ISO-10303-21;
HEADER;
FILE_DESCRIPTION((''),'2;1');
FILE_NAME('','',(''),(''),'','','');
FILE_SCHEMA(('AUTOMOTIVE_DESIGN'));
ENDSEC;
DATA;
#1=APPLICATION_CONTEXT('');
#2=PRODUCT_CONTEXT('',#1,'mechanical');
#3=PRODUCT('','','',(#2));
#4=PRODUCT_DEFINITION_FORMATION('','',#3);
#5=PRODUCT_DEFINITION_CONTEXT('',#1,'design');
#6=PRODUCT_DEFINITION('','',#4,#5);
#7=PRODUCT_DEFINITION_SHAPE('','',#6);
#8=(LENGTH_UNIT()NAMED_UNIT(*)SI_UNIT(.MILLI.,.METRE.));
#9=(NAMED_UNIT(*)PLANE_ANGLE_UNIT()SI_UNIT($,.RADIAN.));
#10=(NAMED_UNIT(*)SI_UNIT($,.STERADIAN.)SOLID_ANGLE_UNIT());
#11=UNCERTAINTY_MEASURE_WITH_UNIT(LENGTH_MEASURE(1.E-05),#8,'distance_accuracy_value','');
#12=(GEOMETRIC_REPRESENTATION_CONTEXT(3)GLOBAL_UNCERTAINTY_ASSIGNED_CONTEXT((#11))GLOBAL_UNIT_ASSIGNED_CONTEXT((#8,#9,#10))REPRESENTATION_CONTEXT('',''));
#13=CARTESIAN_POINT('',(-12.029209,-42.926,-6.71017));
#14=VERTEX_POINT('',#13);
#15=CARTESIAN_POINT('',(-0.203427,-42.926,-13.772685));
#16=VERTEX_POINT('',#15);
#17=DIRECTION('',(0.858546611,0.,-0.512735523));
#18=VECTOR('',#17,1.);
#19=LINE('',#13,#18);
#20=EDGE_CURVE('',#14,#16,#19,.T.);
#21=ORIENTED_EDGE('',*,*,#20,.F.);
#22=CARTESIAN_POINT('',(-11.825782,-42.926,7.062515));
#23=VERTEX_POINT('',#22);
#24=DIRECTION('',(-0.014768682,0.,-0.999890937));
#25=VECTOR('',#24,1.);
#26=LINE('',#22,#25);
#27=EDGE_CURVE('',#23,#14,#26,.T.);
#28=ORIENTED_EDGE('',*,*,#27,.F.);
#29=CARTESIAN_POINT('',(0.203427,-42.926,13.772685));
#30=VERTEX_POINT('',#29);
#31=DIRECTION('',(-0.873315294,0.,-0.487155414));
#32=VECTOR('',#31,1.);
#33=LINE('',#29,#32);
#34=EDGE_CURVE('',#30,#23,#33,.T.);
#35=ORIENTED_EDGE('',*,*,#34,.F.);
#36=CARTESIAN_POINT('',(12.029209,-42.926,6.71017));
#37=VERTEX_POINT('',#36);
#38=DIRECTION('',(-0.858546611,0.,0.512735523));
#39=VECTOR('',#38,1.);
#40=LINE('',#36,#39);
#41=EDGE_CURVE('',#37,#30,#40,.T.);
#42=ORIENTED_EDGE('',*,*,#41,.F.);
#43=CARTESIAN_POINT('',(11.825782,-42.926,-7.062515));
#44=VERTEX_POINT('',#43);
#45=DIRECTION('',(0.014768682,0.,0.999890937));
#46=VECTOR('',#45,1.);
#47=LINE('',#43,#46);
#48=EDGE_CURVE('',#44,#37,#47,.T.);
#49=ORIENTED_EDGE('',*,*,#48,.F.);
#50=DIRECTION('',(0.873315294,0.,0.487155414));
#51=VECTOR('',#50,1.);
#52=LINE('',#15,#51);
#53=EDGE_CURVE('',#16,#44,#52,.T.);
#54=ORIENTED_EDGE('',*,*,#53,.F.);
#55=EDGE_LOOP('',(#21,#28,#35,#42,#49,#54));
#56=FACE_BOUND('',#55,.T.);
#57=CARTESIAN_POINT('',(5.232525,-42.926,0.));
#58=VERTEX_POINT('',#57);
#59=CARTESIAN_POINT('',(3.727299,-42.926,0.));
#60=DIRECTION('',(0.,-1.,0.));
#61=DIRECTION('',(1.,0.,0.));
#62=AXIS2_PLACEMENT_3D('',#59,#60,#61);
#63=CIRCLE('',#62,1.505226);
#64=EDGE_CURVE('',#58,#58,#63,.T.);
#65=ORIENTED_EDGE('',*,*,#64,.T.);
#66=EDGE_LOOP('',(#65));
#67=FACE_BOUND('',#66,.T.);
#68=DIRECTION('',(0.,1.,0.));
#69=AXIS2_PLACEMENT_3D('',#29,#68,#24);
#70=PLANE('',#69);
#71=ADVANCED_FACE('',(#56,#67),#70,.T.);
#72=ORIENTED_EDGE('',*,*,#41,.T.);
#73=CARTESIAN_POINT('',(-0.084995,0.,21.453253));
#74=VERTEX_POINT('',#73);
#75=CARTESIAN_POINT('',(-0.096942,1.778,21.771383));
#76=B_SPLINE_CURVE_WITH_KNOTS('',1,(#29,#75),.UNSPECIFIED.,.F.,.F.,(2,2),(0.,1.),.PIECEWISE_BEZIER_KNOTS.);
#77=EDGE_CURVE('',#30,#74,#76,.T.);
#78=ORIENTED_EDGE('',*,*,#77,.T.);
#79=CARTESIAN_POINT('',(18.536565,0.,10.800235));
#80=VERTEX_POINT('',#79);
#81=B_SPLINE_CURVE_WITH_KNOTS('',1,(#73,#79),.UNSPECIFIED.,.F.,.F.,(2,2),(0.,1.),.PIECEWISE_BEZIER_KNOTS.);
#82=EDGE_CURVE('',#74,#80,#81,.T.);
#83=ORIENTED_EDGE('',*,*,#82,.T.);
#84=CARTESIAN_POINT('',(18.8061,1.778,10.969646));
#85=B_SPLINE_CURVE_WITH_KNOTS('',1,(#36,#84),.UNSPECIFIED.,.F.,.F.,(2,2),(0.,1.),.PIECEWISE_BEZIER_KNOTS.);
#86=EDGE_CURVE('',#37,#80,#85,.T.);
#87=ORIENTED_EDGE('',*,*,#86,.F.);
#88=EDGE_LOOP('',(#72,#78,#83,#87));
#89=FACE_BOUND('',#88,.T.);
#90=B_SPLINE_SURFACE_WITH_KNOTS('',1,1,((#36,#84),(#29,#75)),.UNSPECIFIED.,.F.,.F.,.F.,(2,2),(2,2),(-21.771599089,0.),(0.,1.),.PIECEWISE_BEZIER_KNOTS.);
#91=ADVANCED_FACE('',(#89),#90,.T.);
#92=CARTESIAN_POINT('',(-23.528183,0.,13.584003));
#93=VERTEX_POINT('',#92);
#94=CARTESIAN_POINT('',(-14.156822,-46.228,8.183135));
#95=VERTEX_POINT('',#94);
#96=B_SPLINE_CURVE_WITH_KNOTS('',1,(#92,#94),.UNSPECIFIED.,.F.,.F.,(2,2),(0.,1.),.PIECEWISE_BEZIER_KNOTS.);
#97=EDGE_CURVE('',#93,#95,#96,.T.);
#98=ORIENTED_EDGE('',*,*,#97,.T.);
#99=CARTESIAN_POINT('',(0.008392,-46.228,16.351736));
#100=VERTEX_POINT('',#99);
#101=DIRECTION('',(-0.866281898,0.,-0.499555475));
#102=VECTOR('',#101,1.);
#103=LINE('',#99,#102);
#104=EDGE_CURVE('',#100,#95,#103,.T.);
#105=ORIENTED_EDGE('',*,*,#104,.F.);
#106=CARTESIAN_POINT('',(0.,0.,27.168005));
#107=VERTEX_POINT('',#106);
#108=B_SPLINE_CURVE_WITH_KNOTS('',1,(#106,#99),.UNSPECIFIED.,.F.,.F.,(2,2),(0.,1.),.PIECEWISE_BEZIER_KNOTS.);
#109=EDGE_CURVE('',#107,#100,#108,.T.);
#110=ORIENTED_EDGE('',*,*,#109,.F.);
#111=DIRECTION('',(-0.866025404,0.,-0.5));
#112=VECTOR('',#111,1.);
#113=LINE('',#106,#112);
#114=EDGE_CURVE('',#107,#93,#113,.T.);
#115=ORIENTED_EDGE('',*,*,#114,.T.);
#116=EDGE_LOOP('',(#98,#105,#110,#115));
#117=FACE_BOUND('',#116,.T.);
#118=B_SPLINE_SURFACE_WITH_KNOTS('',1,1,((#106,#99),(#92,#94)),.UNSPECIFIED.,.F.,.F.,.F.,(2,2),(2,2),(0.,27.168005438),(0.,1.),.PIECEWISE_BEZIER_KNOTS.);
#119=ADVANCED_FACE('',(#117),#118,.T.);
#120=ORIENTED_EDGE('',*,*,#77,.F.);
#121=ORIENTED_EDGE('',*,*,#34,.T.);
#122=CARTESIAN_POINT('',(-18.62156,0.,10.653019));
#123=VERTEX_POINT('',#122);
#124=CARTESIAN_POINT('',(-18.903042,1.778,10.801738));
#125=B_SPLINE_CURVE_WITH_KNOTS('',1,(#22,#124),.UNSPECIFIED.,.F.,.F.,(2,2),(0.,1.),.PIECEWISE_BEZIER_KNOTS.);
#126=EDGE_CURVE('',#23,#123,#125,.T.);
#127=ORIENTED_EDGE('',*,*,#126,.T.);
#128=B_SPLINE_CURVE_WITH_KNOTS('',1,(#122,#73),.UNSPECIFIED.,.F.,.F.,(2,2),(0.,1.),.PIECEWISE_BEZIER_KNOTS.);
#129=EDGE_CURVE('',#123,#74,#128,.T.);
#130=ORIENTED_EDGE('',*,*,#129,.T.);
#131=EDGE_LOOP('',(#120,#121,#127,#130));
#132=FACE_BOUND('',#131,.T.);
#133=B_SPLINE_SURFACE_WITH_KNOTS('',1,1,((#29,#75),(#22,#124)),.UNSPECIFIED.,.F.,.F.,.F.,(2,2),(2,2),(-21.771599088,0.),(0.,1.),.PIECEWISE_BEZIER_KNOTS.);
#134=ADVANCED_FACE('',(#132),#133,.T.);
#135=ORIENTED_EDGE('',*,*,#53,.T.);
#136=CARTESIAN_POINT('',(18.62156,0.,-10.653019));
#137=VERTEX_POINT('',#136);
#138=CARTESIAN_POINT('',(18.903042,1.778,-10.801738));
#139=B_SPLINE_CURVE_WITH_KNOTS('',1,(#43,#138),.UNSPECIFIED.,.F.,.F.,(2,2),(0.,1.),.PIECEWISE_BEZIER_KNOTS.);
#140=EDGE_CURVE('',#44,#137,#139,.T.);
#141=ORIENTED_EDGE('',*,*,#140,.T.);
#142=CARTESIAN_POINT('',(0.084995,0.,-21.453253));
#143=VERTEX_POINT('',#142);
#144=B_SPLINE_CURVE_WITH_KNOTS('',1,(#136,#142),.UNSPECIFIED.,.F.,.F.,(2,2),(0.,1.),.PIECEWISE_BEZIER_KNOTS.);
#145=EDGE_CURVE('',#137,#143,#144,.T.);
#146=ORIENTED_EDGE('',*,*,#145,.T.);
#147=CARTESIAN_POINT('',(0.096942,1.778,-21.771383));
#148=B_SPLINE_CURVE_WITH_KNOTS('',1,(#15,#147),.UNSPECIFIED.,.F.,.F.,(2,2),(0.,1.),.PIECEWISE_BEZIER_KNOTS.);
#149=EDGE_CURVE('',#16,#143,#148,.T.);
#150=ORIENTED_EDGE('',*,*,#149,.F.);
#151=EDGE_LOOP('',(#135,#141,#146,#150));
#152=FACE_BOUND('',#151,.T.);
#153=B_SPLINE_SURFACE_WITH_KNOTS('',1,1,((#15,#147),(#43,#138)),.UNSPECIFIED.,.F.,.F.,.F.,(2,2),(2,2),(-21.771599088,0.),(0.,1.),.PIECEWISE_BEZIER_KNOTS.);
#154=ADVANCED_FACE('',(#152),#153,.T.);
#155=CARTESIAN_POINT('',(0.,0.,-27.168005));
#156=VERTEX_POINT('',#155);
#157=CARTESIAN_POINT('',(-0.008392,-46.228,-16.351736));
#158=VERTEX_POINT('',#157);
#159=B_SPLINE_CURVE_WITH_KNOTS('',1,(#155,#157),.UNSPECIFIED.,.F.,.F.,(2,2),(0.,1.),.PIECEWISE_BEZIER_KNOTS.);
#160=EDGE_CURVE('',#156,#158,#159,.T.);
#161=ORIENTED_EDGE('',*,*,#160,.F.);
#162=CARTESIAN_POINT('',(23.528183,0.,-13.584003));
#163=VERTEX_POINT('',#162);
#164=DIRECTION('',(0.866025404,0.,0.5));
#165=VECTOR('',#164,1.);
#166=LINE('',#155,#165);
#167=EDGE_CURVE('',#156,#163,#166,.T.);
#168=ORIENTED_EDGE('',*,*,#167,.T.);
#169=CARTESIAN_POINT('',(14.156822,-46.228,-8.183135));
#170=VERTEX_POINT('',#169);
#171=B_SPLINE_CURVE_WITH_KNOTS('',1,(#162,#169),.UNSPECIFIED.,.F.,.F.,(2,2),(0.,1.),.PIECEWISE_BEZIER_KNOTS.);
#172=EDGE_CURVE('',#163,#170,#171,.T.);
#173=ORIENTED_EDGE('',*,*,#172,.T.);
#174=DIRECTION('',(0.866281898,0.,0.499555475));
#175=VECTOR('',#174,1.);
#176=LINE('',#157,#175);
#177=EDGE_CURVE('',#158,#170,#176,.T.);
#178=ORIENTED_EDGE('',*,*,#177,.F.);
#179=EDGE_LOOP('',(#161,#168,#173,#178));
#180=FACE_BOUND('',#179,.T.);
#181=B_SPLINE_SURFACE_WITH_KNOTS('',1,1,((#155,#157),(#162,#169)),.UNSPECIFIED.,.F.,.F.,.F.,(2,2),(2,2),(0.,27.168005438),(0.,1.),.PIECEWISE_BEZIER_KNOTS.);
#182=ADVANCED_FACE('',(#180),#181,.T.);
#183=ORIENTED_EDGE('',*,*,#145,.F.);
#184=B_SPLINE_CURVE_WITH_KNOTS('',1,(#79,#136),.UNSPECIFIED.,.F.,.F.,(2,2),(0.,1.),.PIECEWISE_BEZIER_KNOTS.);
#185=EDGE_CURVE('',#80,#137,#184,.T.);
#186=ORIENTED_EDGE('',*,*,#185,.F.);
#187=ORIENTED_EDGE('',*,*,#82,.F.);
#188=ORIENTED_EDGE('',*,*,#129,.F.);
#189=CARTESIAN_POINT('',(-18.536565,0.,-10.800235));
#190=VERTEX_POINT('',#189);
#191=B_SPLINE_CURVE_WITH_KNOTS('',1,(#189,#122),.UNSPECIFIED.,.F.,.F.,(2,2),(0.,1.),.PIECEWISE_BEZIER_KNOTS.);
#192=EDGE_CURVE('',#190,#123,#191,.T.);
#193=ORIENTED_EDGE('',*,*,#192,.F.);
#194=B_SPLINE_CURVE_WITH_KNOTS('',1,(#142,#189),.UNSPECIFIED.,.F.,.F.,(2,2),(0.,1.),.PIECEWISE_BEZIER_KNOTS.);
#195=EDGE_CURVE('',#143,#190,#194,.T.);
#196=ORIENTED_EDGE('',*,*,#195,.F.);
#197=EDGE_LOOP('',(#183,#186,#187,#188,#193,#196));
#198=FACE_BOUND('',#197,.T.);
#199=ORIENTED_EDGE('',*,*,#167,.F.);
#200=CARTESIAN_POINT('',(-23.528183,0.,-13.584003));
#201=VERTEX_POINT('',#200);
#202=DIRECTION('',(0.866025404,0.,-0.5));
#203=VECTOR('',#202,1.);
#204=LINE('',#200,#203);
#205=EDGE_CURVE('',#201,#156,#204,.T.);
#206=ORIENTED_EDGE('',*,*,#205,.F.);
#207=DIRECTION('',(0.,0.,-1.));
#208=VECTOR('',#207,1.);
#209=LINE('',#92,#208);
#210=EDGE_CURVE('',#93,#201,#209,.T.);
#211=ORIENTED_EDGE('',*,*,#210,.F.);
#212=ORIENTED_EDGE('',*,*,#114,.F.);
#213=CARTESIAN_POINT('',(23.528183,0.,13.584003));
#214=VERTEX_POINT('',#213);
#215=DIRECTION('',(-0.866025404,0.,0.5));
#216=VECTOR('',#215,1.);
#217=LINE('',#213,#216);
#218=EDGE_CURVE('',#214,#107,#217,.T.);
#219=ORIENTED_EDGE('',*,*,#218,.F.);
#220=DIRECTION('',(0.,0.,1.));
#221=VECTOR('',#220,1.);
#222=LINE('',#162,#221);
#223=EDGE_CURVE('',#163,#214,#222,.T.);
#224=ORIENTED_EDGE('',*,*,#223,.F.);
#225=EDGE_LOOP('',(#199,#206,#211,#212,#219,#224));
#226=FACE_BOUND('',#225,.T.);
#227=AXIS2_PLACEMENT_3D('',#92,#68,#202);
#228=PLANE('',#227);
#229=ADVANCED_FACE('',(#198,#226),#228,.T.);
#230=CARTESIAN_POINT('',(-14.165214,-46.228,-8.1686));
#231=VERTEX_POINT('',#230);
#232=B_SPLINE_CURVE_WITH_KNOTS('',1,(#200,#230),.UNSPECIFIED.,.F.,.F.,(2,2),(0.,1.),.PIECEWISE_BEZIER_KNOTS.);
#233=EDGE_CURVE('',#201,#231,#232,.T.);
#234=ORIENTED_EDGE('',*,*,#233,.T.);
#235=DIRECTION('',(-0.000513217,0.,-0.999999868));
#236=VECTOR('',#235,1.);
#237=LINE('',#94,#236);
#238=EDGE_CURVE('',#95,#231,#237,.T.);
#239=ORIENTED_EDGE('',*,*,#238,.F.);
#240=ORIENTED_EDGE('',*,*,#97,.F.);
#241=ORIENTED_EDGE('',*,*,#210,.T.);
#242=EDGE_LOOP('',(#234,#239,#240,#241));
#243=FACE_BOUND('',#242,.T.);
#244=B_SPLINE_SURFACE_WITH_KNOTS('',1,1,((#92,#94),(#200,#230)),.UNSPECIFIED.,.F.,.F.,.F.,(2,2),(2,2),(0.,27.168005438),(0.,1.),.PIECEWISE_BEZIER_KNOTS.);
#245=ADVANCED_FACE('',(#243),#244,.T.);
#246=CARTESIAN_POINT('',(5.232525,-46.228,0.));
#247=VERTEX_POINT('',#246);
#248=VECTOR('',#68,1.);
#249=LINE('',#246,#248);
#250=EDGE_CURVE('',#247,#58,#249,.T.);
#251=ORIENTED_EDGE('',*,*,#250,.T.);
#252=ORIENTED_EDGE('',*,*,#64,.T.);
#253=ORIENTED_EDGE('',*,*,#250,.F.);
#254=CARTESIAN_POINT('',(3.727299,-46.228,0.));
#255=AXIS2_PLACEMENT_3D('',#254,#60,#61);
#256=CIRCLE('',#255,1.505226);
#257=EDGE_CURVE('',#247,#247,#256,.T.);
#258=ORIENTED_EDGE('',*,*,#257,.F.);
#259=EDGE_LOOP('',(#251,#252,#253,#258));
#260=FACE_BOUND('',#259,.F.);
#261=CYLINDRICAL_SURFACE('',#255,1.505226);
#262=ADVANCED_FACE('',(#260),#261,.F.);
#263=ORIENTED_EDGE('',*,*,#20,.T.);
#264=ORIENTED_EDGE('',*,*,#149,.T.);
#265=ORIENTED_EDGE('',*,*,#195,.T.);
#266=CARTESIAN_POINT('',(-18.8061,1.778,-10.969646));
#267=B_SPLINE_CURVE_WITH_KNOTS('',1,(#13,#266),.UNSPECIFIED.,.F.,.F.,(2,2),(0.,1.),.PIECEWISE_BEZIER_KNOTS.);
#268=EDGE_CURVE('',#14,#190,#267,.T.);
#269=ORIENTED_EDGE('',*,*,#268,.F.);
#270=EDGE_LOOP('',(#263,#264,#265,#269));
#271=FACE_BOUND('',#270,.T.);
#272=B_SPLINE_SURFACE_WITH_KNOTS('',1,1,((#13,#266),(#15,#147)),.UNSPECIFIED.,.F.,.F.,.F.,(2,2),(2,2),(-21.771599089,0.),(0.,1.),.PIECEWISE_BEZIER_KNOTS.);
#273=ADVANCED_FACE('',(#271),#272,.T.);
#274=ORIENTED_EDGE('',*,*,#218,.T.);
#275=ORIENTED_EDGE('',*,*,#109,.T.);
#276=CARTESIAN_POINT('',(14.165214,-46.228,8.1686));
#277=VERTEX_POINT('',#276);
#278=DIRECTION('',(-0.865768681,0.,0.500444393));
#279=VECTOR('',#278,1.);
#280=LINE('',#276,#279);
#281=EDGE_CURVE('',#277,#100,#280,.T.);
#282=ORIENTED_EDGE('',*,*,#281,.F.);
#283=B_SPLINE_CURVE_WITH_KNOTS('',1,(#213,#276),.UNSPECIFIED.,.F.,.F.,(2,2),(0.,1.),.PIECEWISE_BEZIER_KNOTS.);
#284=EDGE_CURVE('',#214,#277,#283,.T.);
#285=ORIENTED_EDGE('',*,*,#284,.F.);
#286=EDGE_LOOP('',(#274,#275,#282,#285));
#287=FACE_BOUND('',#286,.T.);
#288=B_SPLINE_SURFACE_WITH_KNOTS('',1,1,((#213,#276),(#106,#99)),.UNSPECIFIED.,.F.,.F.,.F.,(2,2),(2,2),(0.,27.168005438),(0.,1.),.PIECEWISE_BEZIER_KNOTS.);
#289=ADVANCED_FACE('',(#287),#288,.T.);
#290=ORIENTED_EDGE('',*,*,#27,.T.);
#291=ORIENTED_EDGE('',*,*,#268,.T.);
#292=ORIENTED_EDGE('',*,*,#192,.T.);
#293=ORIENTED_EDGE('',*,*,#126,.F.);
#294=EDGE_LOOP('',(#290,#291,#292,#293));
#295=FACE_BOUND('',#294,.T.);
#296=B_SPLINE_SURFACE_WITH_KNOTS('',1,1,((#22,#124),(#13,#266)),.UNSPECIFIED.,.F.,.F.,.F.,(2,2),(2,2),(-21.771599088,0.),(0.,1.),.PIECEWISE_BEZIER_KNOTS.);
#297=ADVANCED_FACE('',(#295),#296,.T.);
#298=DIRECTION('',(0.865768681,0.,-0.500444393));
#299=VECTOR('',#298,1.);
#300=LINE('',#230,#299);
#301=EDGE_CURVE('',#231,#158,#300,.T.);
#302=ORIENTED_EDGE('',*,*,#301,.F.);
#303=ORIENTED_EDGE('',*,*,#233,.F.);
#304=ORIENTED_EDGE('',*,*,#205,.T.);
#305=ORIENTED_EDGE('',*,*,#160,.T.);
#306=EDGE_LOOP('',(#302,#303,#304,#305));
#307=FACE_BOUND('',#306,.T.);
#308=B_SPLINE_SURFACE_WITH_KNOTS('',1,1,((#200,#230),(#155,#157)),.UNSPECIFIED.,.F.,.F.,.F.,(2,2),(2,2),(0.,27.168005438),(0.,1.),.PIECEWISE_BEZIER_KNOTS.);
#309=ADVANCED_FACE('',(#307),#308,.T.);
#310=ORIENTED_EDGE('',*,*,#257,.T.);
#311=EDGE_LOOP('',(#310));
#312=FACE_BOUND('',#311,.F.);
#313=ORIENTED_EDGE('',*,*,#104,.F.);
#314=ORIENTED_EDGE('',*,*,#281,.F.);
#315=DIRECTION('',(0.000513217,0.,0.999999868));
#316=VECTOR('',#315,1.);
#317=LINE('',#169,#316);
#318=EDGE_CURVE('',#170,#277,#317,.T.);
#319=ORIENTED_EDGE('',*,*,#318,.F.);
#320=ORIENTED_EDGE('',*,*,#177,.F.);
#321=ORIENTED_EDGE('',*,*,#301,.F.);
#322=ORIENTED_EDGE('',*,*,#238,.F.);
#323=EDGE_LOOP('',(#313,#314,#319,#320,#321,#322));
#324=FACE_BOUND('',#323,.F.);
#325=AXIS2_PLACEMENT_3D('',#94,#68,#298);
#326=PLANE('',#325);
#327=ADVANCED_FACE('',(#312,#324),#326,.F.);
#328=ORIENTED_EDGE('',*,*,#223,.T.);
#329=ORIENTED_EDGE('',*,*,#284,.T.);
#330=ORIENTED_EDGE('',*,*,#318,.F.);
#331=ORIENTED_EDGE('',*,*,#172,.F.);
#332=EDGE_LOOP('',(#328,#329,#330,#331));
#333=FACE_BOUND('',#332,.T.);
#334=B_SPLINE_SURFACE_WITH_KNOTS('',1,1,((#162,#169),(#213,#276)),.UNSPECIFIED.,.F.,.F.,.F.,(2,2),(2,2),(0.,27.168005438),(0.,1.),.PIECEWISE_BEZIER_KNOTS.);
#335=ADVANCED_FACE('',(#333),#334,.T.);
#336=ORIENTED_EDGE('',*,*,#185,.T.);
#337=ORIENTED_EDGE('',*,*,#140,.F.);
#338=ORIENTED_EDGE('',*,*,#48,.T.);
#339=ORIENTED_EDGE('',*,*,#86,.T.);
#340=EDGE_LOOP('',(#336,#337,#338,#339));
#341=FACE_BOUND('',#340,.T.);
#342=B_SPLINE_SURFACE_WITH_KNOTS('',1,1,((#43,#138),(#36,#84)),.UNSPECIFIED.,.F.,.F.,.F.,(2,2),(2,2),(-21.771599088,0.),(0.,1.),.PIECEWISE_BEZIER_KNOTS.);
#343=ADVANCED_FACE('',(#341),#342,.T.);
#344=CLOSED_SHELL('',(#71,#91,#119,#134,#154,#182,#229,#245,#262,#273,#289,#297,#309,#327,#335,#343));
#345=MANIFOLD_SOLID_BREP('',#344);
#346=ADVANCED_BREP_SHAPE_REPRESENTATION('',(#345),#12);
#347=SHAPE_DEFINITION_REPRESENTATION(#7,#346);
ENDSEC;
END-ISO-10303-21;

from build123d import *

# Parameters (mm, degrees)
F10_R     = 1.5052256161
F11_DEPTH = 4.572


with BuildPart() as f3:
    # F0 (on Front) → F3 section 0
    with BuildSketch(Plane.XZ):
        Polygon((-23.5281828791, 13.5840027188), (-23.5281828791, -13.5840027188), (0, -27.1680054376), (23.5281828791, -13.5840027188), (23.5281828791, 13.5840027188), (0, 27.1680054376), align=None)
    # F2 (on offset) → F3 section 1
    with BuildSketch(Plane.XZ.offset(46.228)):
        Polygon((14.1652144193, 8.1686001212), (0.0083919913, 16.3517355978), (-14.156822428, 8.1831354766), (-14.1652144193, -8.1686001212), (-0.0083919913, -16.3517355978), (14.156822428, -8.1831354766), align=None)
    loft()

    # F7 (on offset) → F8 section 0
    with BuildSketch(Plane.XZ.offset(42.926)):
        Polygon((0.2034265982, 13.7726851485), (-11.8257819178, 7.0625151761), (-12.0292085161, -6.7101699724), (-0.2034265982, -13.7726851485), (11.8257819178, -7.0625151761), (12.0292085161, 6.7101699724), align=None)
    # F5 (on offset) → F8 section 1
    with BuildSketch(Plane(origin=(0, 1.778, 0), x_dir=(-1, 0, 0), z_dir=(0, 1, 0))):
        Polygon((0.0969416377, 21.7713832631), (-18.8061001625, 10.9696455524), (-18.9030418002, -10.8017377106), (-0.0969416377, -21.7713832631), (18.8061001625, -10.9696455524), (18.9030418002, 10.8017377106), align=None)
    loft(mode=Mode.SUBTRACT)

    # F10 (on offset) → F11 (cut)
    with BuildSketch(Plane.XZ.offset(46.228)):
        with Locations((3.7272993941, 0)):
            Circle(F10_R)
    extrude(amount=-F11_DEPTH, mode=Mode.SUBTRACT)


solid = f3.part
